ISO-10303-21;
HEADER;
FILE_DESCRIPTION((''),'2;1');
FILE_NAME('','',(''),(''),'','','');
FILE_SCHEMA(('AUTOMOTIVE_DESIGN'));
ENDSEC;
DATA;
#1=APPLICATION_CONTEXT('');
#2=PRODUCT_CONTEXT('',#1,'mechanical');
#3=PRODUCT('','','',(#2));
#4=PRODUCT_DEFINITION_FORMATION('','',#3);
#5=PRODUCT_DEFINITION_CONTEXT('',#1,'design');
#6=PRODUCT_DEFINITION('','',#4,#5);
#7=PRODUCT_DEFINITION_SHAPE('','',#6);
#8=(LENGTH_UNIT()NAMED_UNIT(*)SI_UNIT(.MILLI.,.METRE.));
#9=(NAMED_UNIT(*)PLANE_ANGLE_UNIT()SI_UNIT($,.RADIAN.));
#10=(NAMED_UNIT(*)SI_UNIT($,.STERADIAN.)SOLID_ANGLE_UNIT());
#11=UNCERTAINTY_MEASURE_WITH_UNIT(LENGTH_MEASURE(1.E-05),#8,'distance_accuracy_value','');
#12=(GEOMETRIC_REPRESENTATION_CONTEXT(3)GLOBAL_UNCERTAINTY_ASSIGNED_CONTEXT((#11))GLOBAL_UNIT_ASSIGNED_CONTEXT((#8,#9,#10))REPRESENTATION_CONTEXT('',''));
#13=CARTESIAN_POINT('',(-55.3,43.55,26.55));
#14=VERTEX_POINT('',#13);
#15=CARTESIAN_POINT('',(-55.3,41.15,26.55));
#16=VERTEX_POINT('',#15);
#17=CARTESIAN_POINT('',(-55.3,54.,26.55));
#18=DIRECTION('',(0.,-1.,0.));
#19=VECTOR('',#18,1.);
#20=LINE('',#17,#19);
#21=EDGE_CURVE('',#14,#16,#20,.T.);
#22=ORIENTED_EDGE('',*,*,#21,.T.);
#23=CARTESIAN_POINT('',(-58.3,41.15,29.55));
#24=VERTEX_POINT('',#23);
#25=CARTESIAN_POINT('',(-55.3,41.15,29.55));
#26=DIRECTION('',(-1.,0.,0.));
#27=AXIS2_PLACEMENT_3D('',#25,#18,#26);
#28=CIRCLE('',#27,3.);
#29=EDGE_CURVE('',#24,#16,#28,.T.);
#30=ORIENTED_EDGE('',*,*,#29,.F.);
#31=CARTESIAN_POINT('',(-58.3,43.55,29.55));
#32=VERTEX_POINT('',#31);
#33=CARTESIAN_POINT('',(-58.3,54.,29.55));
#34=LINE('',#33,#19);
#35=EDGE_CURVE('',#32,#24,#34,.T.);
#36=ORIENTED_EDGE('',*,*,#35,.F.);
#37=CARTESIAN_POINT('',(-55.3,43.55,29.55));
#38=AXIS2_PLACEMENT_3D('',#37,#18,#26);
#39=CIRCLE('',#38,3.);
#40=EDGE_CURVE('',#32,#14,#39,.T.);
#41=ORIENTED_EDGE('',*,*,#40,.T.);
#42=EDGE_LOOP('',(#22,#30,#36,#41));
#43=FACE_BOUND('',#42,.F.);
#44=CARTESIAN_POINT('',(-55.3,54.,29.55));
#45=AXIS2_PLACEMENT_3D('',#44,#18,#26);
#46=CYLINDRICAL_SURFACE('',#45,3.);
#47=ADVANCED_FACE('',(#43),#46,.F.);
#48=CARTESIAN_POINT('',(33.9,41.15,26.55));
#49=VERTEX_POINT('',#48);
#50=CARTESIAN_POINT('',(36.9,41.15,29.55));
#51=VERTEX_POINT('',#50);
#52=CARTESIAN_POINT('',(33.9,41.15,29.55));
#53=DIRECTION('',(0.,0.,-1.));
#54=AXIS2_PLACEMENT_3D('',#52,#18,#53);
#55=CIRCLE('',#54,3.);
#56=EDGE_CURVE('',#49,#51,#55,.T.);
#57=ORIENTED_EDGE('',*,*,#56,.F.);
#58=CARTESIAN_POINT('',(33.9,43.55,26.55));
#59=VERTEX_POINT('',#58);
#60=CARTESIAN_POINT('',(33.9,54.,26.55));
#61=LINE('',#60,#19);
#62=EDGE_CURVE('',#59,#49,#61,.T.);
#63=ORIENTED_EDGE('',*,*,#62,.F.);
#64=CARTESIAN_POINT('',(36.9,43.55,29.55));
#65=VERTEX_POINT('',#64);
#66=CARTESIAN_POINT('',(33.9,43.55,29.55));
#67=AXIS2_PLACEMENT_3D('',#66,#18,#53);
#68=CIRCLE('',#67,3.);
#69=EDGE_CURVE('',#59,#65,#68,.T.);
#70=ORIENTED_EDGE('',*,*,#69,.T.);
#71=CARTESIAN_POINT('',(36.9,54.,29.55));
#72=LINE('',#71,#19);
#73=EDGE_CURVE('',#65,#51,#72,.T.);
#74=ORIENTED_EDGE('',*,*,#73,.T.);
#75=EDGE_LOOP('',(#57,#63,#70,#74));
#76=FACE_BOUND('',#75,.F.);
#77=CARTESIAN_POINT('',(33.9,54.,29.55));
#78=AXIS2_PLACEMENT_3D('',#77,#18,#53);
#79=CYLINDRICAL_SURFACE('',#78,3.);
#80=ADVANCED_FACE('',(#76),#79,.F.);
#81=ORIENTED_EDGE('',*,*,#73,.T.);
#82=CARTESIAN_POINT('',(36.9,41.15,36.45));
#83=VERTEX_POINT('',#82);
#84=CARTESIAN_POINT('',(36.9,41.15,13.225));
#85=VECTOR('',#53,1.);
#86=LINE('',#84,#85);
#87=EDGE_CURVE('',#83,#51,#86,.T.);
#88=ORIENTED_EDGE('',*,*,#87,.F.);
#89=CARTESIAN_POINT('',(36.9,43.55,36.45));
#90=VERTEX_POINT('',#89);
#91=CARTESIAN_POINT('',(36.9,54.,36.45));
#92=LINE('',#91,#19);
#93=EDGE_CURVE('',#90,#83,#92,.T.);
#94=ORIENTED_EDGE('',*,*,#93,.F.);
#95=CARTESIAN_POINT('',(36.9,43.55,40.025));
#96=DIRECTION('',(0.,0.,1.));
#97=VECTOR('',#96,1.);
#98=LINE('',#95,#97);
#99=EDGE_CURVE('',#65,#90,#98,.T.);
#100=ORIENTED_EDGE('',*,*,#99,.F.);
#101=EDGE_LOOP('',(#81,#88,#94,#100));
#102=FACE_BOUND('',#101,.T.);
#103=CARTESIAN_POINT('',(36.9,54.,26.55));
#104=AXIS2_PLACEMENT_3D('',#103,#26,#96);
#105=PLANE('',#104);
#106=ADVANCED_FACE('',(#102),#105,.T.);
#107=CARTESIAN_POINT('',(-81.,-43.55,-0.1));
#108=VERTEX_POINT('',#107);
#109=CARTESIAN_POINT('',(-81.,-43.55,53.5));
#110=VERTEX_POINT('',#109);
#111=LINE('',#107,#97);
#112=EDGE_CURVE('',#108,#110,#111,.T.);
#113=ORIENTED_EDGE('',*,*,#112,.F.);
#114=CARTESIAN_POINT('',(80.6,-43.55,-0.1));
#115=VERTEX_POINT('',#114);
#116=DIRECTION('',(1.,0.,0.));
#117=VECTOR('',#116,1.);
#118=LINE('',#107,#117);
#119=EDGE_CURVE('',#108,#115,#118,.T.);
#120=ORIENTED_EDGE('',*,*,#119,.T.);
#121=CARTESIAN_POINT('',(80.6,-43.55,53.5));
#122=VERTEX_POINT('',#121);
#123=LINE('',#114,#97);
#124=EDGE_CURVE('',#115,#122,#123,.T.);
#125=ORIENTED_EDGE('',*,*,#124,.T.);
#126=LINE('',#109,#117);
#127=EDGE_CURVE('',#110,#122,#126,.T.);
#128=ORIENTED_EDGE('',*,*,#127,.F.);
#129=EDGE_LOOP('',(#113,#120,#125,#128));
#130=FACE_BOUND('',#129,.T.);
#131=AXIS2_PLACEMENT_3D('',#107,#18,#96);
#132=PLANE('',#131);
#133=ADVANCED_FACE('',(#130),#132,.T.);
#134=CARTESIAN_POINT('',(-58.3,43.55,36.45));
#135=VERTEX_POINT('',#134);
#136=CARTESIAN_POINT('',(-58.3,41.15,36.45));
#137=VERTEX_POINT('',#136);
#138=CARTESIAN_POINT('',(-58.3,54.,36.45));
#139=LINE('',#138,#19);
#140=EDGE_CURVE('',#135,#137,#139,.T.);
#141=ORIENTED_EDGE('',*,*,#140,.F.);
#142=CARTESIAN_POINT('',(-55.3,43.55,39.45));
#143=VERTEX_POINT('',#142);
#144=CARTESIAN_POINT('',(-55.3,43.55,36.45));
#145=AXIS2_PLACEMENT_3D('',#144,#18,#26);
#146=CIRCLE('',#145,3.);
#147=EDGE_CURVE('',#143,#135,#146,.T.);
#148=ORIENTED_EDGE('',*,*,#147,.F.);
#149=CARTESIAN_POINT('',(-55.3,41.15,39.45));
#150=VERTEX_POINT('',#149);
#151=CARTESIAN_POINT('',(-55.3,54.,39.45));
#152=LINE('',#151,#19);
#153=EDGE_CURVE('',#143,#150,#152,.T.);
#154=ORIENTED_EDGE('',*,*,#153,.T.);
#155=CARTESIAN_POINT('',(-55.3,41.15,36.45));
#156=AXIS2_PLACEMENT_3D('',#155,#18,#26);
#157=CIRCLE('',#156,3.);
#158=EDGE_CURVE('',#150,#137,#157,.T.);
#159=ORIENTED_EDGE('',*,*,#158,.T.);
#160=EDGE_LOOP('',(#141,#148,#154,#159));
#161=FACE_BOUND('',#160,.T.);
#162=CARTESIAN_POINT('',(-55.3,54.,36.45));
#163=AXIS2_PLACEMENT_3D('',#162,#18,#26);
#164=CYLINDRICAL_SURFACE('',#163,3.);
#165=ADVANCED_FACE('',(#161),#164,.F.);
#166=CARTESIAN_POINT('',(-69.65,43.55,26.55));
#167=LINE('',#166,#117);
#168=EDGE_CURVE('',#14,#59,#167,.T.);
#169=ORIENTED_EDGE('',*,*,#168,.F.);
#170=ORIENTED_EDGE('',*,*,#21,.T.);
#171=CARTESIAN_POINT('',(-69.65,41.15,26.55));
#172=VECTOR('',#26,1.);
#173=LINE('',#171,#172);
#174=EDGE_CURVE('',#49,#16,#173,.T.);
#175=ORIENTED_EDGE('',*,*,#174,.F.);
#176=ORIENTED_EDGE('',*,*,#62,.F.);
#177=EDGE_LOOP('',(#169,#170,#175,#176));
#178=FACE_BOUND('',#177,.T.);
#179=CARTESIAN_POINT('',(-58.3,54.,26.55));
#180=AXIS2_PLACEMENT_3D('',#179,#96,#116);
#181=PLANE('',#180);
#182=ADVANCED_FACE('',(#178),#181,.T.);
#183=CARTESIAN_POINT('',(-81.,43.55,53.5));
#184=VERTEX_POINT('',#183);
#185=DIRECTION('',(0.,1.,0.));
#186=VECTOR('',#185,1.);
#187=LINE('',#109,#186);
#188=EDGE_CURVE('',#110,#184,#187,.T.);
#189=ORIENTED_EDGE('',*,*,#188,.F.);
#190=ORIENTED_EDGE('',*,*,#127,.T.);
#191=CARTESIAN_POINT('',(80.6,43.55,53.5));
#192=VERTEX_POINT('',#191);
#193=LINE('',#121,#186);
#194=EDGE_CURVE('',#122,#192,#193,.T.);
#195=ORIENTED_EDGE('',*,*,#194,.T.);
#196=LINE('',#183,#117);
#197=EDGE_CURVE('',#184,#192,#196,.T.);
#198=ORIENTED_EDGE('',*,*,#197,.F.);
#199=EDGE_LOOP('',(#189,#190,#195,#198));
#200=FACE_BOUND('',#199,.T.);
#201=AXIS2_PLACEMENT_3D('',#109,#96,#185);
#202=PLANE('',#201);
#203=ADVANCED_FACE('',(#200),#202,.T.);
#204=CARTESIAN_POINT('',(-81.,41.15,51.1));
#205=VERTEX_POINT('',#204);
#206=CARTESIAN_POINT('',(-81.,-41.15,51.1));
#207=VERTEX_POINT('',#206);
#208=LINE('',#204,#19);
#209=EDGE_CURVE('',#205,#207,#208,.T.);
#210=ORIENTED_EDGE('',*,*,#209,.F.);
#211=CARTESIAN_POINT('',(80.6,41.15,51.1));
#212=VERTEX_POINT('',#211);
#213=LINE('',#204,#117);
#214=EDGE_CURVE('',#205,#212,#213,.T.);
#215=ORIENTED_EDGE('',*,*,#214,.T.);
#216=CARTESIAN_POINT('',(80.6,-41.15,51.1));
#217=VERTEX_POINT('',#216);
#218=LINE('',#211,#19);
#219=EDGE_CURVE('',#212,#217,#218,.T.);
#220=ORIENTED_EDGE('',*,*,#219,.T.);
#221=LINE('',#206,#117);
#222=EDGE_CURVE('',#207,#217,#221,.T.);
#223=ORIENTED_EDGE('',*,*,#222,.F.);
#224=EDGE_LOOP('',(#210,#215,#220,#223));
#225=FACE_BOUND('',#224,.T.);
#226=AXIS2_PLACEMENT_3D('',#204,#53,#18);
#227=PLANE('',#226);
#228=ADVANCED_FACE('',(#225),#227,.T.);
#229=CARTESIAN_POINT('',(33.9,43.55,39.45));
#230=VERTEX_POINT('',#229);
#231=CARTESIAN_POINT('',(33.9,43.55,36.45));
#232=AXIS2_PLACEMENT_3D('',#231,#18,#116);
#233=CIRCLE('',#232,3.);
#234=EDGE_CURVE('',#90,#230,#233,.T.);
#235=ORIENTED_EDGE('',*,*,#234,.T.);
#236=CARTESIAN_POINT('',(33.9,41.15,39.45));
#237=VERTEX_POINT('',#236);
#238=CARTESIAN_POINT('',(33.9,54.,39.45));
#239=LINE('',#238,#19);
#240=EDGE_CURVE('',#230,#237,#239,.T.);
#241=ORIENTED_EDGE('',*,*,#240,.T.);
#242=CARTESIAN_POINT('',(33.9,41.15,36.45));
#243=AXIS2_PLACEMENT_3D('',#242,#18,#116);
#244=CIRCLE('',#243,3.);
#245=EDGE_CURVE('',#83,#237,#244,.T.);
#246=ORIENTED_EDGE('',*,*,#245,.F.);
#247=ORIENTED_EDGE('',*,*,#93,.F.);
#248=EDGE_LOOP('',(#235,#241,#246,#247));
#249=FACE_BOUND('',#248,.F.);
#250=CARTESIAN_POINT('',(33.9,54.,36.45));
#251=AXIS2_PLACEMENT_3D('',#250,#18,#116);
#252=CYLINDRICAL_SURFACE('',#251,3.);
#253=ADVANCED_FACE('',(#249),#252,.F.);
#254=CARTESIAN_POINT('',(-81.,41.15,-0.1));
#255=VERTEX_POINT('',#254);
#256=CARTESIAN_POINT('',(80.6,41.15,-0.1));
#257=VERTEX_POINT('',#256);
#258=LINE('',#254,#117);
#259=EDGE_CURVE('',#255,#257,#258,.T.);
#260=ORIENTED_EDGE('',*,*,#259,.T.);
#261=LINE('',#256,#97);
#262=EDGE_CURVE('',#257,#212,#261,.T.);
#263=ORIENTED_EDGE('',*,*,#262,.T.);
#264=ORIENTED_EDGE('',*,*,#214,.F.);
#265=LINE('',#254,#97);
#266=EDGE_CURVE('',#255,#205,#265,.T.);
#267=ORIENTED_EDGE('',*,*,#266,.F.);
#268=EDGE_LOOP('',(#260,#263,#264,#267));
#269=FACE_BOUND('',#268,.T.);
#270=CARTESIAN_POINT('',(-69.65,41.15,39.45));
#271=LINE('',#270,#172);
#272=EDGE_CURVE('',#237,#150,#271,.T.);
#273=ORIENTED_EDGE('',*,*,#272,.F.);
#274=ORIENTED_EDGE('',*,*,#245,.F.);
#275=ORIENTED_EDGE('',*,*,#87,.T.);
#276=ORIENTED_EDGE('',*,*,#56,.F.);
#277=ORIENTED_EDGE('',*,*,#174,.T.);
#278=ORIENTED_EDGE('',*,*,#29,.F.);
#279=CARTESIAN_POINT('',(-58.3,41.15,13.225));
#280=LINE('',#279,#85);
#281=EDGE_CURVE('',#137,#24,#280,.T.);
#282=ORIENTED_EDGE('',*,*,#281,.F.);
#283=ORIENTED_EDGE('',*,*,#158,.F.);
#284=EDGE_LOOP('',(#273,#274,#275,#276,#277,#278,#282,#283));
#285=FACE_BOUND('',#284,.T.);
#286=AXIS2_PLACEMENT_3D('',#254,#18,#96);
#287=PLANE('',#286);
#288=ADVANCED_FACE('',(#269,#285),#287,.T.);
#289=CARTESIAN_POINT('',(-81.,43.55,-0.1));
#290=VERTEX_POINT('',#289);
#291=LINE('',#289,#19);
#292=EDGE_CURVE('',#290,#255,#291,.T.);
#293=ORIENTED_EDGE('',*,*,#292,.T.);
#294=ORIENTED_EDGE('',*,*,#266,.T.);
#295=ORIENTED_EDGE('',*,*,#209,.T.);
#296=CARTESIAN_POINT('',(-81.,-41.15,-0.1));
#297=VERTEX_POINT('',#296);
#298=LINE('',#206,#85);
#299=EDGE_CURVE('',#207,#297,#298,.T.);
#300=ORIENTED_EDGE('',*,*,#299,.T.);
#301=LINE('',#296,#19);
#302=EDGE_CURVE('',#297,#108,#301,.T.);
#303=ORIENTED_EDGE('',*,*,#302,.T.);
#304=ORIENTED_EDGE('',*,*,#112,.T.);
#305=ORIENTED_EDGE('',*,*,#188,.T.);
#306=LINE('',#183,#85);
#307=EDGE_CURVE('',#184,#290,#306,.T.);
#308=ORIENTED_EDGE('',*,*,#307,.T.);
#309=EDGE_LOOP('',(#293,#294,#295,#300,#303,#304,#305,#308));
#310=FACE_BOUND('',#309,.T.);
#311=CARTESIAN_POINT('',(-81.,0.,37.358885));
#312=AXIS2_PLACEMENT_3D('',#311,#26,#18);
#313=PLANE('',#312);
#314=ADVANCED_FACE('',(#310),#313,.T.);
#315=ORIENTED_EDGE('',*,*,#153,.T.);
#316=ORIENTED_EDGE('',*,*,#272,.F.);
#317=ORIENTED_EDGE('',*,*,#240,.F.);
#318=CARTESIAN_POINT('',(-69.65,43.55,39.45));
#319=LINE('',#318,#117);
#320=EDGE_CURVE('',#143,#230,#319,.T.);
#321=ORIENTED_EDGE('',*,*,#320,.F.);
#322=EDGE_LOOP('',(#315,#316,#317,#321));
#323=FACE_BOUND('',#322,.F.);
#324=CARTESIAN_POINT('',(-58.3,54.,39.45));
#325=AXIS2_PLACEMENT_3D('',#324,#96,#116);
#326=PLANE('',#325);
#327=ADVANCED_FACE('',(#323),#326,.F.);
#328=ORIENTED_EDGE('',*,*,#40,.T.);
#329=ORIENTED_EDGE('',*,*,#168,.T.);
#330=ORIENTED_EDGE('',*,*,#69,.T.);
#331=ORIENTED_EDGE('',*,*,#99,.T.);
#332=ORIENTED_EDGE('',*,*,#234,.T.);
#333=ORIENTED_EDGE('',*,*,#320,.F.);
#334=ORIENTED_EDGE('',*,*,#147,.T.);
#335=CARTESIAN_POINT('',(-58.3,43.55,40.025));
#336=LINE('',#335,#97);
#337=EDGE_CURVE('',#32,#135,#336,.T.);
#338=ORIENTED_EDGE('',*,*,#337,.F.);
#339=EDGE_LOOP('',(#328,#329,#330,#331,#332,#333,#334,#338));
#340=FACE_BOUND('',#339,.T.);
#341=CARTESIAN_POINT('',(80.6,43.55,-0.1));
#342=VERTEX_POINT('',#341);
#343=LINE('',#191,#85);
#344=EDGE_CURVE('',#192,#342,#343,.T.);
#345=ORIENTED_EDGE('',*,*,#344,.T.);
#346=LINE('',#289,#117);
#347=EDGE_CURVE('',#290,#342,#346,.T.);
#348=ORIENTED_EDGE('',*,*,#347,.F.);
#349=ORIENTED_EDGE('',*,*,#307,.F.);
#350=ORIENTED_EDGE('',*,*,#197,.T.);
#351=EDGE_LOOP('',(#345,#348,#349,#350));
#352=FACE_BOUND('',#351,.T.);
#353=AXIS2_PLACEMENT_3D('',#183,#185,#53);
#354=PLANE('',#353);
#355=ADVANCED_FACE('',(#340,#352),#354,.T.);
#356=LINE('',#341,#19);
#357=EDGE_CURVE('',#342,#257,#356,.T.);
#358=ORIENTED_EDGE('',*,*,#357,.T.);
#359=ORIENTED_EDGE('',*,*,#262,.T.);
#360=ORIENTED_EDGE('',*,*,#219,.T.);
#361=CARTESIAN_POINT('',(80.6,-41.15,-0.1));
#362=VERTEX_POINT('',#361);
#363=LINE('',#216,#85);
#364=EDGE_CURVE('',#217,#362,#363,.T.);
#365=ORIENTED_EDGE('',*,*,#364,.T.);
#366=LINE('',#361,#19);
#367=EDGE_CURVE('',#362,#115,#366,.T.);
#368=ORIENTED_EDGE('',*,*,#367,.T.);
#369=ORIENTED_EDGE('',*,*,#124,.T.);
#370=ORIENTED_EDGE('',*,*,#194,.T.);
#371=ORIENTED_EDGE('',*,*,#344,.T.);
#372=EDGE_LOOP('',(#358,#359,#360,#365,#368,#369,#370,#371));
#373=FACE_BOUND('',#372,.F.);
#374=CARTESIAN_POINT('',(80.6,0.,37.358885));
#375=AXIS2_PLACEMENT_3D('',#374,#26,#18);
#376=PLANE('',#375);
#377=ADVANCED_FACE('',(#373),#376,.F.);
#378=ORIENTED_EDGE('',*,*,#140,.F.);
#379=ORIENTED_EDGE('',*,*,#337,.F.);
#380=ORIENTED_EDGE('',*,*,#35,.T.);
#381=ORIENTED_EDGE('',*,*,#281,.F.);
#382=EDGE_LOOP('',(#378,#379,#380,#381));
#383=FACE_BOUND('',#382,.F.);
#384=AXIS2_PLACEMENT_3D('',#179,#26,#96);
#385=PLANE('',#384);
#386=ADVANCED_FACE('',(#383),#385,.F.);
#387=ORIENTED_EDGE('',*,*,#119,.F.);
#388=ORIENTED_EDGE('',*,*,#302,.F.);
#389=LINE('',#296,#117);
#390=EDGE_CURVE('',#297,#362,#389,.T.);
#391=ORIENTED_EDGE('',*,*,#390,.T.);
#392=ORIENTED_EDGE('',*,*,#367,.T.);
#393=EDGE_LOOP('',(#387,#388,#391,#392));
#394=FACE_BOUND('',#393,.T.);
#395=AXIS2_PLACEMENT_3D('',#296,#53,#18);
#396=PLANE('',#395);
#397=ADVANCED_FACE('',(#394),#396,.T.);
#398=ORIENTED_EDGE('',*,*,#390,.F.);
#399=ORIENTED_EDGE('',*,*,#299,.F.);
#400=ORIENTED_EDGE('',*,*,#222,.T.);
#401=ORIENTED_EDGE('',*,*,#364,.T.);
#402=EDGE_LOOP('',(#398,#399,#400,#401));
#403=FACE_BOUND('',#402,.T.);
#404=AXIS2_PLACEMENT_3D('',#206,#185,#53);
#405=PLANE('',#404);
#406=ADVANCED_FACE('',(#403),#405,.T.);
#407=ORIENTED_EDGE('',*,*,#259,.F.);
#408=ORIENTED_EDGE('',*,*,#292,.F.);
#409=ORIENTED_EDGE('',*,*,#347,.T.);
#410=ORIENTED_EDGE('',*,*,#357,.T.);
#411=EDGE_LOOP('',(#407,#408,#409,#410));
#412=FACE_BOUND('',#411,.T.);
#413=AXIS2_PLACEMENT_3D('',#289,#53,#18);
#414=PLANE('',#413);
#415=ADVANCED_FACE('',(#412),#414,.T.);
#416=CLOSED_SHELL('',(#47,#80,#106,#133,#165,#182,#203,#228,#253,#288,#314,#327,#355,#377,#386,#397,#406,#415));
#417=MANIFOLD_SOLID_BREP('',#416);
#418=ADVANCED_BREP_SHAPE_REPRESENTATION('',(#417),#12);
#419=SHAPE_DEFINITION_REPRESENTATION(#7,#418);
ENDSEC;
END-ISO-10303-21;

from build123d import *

# Parameters (mm, degrees)
SKETCH011_W  = 95.2
SKETCH011_H  = 12.9
PAD009_DEPTH = 30
FILLET002_R  = 3
PAD008_DEPTH = 161.6


with BuildPart() as tubecutout001:
    # Sketch011 → Pad009 (new body)
    with BuildSketch(Plane(origin=(-10.7, 54, 33), x_dir=(1, 0, 0), z_dir=(0, -1, 0))):
        Rectangle(SKETCH011_W, SKETCH011_H)
    extrude(amount=PAD009_DEPTH)

    # Fillet002
    fillet002_edges = [tubecutout001.edges().sort_by_distance(p)[0] for p in [
        (-58.3, 39, 39.45),
        (-58.3, 39, 26.55),
        (36.9, 39, 39.45),
        (36.9, 39, 26.55),
    ]]
    fillet(fillet002_edges, radius=FILLET002_R)


with BuildPart() as boxcover:
    # Sketch010 → Pad008 (new body)
    with BuildSketch(Plane(origin=(-81, 0, 25.5), x_dir=(0, 1, 0), z_dir=(1, 0, 0))):
        Polygon((-43.55, -25.6), (-43.55, 28), (43.55, 28), (43.55, -25.6), (41.15, -25.6), (41.15, 25.6), (-41.15, 25.6), (-41.15, -25.6), align=None)
    extrude(amount=PAD008_DEPTH)

    # Cut001: cut TubeCutout001
    add(tubecutout001.part, mode=Mode.SUBTRACT)


solid = boxcover.part
